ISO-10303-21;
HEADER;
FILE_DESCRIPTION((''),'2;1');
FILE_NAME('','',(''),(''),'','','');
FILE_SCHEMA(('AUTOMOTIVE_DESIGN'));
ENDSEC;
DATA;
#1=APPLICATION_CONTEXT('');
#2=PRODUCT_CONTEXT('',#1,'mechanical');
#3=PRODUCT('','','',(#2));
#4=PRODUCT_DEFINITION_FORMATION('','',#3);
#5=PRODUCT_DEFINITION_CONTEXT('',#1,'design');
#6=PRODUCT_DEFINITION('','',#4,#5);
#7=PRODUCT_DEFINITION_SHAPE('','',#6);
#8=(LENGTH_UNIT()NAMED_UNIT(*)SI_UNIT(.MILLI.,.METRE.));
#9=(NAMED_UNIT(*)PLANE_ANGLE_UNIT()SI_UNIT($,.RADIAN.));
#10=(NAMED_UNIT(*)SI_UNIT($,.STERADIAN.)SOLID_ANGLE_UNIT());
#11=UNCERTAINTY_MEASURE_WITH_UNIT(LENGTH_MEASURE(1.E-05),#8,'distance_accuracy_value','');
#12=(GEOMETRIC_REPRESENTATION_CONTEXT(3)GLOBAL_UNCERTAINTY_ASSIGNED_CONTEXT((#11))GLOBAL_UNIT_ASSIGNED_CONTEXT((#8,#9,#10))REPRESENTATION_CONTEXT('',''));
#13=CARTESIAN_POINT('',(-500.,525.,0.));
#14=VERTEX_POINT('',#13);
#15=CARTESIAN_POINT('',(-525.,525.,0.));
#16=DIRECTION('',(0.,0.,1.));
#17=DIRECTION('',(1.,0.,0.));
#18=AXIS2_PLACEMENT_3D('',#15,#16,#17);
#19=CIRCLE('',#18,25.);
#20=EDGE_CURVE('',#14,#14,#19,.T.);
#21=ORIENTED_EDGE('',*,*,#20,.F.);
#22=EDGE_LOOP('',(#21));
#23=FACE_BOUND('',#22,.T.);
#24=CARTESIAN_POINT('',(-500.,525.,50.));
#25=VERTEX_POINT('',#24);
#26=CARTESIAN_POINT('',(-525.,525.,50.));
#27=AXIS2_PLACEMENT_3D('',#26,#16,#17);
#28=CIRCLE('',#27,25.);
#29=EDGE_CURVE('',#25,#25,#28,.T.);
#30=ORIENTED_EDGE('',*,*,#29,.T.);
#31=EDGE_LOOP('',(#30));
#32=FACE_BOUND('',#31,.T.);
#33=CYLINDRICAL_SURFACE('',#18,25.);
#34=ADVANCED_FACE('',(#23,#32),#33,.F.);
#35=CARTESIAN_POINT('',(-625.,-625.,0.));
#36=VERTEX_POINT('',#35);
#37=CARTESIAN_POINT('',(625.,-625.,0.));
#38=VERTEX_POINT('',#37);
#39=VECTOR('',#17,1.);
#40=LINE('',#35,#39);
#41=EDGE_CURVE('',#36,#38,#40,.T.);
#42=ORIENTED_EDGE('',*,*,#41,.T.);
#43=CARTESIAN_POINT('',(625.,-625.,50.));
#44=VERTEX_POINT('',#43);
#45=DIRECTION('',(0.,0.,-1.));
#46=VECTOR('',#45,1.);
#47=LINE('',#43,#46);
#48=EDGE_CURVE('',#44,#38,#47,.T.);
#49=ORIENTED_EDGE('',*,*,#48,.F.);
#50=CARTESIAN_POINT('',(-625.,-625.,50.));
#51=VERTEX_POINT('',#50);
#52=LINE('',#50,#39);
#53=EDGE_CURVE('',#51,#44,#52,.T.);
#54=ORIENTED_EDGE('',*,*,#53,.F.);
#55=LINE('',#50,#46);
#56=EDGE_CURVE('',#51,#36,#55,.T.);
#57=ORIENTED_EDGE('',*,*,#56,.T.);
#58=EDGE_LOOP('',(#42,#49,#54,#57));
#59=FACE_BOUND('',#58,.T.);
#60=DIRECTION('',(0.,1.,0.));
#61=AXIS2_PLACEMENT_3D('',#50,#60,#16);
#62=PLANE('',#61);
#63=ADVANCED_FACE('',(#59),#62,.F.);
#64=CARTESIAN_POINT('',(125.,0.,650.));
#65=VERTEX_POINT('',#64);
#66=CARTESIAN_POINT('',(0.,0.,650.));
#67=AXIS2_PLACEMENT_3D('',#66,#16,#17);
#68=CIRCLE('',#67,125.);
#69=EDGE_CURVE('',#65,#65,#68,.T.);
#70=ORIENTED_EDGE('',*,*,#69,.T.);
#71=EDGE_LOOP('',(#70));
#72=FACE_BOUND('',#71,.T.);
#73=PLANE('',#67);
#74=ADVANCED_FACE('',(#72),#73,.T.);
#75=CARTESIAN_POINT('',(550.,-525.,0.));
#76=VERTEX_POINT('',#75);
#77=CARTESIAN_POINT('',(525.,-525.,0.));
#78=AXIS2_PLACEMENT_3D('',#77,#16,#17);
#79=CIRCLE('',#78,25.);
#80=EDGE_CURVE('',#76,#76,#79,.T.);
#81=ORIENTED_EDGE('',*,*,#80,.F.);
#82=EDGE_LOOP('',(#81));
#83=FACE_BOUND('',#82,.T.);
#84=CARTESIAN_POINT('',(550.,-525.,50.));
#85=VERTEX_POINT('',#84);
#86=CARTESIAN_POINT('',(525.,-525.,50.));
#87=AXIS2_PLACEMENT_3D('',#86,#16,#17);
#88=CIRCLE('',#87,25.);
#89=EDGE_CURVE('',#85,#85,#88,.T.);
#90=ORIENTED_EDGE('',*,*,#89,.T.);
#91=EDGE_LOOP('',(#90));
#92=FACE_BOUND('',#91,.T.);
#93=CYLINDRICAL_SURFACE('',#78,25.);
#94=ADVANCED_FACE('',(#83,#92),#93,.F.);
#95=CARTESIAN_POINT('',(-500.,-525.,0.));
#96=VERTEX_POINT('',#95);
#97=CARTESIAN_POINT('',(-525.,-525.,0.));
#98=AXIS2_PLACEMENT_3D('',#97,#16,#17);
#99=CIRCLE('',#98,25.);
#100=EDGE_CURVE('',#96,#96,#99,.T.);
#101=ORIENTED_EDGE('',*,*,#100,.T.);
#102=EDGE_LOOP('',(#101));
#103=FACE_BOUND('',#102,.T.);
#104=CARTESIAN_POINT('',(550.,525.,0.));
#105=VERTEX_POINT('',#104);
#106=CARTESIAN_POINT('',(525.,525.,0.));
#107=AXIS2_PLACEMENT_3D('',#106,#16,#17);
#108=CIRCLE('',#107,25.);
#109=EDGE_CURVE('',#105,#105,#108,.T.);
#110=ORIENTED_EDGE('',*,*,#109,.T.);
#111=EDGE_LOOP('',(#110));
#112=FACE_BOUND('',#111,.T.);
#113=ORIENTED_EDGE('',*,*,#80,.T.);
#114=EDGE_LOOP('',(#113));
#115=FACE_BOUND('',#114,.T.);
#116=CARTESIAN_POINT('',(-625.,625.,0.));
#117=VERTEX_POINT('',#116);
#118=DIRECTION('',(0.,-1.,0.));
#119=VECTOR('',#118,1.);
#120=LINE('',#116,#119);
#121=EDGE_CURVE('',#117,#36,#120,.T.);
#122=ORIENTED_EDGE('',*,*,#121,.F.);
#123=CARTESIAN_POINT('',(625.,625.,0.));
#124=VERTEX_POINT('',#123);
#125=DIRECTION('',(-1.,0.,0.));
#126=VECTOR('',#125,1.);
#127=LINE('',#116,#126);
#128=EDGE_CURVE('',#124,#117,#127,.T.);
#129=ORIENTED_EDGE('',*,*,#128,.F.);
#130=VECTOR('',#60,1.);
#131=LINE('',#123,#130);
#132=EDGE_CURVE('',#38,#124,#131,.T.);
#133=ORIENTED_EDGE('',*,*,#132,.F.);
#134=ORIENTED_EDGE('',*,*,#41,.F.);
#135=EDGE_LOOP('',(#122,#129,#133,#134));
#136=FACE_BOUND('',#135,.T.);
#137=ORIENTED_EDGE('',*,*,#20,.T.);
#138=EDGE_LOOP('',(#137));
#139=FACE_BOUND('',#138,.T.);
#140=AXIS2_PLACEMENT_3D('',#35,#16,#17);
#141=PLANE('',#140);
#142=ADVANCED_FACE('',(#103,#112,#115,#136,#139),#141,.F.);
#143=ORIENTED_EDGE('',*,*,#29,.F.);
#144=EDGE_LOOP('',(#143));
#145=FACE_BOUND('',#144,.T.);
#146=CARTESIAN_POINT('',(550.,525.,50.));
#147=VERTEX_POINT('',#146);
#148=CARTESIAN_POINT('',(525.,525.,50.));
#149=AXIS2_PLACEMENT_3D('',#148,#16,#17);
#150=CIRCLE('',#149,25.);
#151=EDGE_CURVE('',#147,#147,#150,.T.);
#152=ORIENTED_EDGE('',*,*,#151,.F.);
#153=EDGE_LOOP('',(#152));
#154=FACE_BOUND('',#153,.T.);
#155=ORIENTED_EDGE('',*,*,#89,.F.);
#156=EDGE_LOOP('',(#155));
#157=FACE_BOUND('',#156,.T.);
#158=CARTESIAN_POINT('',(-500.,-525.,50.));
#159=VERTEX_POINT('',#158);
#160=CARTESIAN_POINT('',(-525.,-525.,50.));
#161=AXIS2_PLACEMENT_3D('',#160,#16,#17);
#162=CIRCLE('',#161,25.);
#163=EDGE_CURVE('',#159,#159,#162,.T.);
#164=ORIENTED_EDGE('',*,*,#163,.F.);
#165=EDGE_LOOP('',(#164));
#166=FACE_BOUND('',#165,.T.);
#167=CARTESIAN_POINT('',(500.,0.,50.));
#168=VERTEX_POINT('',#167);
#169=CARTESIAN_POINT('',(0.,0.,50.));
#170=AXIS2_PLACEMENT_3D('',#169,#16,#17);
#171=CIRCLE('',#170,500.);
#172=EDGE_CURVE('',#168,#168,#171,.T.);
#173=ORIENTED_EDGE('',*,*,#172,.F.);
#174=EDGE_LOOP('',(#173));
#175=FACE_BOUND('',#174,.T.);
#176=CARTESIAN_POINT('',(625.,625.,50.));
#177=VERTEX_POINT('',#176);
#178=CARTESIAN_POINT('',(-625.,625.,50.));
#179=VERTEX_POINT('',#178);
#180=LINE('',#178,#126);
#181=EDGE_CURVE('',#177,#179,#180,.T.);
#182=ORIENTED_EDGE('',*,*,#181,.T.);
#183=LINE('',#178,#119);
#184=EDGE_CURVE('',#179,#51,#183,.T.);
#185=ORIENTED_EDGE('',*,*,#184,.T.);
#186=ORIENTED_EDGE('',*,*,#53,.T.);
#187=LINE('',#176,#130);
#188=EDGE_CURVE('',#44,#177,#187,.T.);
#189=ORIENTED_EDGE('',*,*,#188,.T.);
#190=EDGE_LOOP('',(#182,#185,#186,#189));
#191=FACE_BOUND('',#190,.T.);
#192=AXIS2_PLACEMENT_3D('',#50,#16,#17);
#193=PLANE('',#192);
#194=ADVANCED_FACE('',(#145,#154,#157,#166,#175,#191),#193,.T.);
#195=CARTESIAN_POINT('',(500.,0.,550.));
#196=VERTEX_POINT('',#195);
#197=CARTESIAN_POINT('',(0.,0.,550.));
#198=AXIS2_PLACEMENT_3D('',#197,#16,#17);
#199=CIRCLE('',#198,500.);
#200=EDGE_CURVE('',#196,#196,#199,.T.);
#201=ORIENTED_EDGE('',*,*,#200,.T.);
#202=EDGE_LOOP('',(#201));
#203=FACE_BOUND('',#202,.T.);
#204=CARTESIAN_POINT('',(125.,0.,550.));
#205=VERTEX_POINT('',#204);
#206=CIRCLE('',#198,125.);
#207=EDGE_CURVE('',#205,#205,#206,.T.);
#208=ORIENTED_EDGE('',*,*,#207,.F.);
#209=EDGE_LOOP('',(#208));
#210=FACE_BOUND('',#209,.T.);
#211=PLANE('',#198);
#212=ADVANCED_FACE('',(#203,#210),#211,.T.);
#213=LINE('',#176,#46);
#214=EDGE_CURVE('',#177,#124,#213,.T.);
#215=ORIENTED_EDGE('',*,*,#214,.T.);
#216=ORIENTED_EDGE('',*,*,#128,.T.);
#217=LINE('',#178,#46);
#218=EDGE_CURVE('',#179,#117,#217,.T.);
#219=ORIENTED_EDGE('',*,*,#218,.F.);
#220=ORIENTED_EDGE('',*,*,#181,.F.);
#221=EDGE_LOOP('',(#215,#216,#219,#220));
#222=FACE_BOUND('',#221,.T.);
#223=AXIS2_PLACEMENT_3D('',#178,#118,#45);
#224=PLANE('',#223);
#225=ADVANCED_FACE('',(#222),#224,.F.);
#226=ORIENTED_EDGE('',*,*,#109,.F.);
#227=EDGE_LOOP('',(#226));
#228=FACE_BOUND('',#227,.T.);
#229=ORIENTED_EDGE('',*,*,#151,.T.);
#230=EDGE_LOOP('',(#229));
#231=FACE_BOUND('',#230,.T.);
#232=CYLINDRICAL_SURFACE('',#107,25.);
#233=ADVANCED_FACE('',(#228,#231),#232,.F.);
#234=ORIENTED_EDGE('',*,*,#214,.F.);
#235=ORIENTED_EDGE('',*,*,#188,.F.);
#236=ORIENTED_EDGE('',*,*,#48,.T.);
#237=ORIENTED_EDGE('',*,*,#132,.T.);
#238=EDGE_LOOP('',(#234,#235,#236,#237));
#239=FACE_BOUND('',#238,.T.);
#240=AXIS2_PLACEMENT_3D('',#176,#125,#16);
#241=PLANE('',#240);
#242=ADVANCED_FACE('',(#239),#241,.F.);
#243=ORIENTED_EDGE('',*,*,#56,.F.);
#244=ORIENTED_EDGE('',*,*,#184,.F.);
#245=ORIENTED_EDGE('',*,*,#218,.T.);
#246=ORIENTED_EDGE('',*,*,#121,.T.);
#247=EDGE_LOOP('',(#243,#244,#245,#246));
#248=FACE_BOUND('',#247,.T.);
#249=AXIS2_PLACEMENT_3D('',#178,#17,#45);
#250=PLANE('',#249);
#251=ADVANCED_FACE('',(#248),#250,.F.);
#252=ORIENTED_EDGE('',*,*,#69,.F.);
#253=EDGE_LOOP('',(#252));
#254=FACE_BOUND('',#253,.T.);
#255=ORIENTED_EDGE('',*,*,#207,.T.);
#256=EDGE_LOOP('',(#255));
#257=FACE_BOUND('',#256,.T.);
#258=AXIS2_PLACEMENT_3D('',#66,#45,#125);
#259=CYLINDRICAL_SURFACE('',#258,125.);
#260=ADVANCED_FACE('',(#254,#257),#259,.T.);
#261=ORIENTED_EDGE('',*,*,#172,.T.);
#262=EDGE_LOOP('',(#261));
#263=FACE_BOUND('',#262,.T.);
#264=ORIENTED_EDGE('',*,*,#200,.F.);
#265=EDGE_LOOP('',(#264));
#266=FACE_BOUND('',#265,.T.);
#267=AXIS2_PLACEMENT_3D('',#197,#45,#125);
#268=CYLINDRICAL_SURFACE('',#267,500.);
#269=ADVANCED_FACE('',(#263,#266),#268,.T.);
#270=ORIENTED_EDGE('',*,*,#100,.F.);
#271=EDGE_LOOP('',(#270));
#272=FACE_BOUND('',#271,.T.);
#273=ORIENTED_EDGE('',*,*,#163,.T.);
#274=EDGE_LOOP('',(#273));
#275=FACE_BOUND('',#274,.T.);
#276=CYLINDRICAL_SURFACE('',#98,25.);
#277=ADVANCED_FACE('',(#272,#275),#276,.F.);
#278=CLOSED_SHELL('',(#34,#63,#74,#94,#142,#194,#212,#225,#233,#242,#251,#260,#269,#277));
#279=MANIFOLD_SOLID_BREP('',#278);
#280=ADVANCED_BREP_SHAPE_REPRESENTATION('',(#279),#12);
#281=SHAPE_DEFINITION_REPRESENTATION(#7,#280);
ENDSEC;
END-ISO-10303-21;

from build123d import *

# Parameters (mm, degrees)
SKETCH2_W           = 1250
SKETCH2_H           = 1250
BOSS_EXTRUDE1_DEPTH = 50
SKETCH3_R           = 500
BOSS_EXTRUDE2_DEPTH = 500
SKETCH4_R           = 25
CUT_EXTRUDE1_DEPTH  = 1016.504800579
SKETCH5_R           = 125
BOSS_EXTRUDE3_DEPTH = 100


with BuildPart() as part:
    # Sketch2 → Boss-Extrude1 (new body)
    with BuildSketch(Plane.XY):
        Rectangle(SKETCH2_W, SKETCH2_H)
    extrude(amount=BOSS_EXTRUDE1_DEPTH)

    # Sketch3 → Boss-Extrude2 (add)
    with BuildSketch(Plane.XY.offset(50)):
        Circle(SKETCH3_R)
    extrude(amount=BOSS_EXTRUDE2_DEPTH)

    # Sketch4 → Cut-Extrude1 (cut, through all)
    with BuildSketch(Plane.XY.offset(50)):
        with Locations((-525, 525)):
            Circle(SKETCH4_R)
        with Locations((-525, -525)):
            Circle(SKETCH4_R)
        with Locations((525, -525)):
            Circle(SKETCH4_R)
        with Locations((525, 525)):
            Circle(SKETCH4_R)
    extrude(amount=-CUT_EXTRUDE1_DEPTH, mode=Mode.SUBTRACT)

    # Sketch5 → Boss-Extrude3 (add)
    with BuildSketch(Plane.XY.offset(550)):
        Circle(SKETCH5_R)
    extrude(amount=BOSS_EXTRUDE3_DEPTH)


solid = part.part
